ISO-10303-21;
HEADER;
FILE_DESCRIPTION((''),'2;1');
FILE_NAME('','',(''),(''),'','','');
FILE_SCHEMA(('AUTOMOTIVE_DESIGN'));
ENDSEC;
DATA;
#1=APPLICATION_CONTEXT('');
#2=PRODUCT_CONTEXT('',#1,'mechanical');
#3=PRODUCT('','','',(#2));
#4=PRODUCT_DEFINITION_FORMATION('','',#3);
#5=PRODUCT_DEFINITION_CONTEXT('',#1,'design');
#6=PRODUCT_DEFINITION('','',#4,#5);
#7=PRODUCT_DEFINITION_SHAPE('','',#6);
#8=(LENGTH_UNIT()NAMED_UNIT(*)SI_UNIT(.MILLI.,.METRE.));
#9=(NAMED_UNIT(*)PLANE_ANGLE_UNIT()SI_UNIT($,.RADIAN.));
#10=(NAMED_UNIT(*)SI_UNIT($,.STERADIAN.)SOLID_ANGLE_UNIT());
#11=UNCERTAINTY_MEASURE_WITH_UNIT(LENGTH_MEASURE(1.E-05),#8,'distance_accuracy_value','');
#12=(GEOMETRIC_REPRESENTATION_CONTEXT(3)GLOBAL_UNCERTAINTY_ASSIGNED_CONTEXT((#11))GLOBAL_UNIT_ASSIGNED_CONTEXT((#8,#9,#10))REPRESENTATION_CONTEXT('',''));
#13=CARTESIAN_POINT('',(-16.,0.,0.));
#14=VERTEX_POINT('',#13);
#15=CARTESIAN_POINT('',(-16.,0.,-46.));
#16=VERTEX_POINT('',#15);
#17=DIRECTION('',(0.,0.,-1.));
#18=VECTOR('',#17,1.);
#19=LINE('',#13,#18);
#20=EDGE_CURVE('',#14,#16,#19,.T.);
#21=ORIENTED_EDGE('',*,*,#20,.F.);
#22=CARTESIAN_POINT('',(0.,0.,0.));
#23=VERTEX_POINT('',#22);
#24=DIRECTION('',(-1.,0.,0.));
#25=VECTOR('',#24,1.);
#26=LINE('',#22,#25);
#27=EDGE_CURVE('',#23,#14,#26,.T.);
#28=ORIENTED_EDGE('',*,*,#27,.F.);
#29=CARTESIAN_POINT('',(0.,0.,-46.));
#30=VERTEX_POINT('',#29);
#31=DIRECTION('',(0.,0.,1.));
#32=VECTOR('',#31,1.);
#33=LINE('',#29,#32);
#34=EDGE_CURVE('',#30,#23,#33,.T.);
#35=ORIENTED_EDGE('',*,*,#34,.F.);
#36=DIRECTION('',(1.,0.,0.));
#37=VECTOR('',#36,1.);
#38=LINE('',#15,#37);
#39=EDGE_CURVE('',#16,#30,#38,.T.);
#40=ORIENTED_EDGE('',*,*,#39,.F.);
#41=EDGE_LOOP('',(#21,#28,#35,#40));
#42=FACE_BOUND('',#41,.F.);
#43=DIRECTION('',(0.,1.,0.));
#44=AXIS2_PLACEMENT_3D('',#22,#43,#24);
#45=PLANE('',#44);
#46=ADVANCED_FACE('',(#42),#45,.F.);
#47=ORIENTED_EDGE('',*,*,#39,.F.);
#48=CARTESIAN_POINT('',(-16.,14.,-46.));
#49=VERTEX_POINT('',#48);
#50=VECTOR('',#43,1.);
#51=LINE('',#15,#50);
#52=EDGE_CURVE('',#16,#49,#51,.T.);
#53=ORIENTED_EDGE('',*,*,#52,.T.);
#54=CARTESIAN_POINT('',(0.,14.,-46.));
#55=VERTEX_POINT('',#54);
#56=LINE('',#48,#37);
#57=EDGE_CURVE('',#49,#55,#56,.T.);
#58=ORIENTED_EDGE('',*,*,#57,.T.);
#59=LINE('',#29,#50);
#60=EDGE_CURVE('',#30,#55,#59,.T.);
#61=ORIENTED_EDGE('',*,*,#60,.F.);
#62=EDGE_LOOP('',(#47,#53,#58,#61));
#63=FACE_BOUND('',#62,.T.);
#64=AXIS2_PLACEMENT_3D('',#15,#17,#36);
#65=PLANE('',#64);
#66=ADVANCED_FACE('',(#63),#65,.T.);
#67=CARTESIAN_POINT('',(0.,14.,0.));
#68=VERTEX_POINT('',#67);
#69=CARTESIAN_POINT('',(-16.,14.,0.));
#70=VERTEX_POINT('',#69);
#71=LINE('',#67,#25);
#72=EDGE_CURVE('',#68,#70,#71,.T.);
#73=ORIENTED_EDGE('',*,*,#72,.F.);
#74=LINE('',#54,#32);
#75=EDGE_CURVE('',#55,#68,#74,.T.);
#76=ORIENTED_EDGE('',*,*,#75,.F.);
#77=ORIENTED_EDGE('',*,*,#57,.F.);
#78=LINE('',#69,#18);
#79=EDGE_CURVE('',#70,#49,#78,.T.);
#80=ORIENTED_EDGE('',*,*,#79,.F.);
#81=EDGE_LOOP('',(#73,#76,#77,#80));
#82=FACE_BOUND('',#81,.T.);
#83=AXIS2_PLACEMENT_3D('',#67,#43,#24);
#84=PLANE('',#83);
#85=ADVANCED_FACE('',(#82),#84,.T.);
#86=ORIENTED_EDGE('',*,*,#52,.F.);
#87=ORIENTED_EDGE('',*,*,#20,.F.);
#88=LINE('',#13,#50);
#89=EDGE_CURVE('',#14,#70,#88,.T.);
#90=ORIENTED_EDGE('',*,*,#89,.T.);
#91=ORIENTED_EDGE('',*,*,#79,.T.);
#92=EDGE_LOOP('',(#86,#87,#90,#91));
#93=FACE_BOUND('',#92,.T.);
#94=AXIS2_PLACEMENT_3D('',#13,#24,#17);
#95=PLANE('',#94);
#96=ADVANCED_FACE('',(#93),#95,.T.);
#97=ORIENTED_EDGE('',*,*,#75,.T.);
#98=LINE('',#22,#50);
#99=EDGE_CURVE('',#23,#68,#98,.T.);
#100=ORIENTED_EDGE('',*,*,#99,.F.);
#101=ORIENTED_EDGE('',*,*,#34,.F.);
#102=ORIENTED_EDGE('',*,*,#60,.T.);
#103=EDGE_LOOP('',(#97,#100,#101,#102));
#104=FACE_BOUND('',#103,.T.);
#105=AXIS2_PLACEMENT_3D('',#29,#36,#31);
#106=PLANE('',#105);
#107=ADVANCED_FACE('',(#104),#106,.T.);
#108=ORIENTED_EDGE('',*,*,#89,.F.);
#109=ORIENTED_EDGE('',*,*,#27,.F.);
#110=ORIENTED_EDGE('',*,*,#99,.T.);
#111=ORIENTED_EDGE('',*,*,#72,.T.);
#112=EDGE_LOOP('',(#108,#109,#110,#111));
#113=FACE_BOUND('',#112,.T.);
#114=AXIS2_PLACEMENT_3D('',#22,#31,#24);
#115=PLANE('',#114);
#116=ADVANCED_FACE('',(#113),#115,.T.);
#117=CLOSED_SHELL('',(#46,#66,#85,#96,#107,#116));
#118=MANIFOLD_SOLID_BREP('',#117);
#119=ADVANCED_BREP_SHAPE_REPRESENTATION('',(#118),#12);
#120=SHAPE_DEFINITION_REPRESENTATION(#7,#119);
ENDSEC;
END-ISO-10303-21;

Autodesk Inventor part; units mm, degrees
ref_plane "YZ Plane" through (0, 0, 0) normal (1, 0, 0) x (0, 1, 0)
ref_plane "XZ Plane" through (0, 0, 0) normal (0, 1, 0) x (-1, 0, 0)
ref_plane "XY Plane" through (0, 0, 0) normal (0, 0, 1) x (1, 0, 0)
sketch "Sketch2" plane through (0, 0, 0) normal (0, 1, 0) x (-1, 0, 0)
  line L0 (0, 0) -> (16, 0)
  line L1 (16, 0) -> (16, -46)
  line L2 (16, -46) -> (0, -46)
  line L3 (0, -46) -> (0, 0)
  dimension "d2" = 46
  dimension "d3" = 16
extrude "Extrusion1" add sketch "Sketch2" along normal blind 14
properties part number "Batteryyyy"
